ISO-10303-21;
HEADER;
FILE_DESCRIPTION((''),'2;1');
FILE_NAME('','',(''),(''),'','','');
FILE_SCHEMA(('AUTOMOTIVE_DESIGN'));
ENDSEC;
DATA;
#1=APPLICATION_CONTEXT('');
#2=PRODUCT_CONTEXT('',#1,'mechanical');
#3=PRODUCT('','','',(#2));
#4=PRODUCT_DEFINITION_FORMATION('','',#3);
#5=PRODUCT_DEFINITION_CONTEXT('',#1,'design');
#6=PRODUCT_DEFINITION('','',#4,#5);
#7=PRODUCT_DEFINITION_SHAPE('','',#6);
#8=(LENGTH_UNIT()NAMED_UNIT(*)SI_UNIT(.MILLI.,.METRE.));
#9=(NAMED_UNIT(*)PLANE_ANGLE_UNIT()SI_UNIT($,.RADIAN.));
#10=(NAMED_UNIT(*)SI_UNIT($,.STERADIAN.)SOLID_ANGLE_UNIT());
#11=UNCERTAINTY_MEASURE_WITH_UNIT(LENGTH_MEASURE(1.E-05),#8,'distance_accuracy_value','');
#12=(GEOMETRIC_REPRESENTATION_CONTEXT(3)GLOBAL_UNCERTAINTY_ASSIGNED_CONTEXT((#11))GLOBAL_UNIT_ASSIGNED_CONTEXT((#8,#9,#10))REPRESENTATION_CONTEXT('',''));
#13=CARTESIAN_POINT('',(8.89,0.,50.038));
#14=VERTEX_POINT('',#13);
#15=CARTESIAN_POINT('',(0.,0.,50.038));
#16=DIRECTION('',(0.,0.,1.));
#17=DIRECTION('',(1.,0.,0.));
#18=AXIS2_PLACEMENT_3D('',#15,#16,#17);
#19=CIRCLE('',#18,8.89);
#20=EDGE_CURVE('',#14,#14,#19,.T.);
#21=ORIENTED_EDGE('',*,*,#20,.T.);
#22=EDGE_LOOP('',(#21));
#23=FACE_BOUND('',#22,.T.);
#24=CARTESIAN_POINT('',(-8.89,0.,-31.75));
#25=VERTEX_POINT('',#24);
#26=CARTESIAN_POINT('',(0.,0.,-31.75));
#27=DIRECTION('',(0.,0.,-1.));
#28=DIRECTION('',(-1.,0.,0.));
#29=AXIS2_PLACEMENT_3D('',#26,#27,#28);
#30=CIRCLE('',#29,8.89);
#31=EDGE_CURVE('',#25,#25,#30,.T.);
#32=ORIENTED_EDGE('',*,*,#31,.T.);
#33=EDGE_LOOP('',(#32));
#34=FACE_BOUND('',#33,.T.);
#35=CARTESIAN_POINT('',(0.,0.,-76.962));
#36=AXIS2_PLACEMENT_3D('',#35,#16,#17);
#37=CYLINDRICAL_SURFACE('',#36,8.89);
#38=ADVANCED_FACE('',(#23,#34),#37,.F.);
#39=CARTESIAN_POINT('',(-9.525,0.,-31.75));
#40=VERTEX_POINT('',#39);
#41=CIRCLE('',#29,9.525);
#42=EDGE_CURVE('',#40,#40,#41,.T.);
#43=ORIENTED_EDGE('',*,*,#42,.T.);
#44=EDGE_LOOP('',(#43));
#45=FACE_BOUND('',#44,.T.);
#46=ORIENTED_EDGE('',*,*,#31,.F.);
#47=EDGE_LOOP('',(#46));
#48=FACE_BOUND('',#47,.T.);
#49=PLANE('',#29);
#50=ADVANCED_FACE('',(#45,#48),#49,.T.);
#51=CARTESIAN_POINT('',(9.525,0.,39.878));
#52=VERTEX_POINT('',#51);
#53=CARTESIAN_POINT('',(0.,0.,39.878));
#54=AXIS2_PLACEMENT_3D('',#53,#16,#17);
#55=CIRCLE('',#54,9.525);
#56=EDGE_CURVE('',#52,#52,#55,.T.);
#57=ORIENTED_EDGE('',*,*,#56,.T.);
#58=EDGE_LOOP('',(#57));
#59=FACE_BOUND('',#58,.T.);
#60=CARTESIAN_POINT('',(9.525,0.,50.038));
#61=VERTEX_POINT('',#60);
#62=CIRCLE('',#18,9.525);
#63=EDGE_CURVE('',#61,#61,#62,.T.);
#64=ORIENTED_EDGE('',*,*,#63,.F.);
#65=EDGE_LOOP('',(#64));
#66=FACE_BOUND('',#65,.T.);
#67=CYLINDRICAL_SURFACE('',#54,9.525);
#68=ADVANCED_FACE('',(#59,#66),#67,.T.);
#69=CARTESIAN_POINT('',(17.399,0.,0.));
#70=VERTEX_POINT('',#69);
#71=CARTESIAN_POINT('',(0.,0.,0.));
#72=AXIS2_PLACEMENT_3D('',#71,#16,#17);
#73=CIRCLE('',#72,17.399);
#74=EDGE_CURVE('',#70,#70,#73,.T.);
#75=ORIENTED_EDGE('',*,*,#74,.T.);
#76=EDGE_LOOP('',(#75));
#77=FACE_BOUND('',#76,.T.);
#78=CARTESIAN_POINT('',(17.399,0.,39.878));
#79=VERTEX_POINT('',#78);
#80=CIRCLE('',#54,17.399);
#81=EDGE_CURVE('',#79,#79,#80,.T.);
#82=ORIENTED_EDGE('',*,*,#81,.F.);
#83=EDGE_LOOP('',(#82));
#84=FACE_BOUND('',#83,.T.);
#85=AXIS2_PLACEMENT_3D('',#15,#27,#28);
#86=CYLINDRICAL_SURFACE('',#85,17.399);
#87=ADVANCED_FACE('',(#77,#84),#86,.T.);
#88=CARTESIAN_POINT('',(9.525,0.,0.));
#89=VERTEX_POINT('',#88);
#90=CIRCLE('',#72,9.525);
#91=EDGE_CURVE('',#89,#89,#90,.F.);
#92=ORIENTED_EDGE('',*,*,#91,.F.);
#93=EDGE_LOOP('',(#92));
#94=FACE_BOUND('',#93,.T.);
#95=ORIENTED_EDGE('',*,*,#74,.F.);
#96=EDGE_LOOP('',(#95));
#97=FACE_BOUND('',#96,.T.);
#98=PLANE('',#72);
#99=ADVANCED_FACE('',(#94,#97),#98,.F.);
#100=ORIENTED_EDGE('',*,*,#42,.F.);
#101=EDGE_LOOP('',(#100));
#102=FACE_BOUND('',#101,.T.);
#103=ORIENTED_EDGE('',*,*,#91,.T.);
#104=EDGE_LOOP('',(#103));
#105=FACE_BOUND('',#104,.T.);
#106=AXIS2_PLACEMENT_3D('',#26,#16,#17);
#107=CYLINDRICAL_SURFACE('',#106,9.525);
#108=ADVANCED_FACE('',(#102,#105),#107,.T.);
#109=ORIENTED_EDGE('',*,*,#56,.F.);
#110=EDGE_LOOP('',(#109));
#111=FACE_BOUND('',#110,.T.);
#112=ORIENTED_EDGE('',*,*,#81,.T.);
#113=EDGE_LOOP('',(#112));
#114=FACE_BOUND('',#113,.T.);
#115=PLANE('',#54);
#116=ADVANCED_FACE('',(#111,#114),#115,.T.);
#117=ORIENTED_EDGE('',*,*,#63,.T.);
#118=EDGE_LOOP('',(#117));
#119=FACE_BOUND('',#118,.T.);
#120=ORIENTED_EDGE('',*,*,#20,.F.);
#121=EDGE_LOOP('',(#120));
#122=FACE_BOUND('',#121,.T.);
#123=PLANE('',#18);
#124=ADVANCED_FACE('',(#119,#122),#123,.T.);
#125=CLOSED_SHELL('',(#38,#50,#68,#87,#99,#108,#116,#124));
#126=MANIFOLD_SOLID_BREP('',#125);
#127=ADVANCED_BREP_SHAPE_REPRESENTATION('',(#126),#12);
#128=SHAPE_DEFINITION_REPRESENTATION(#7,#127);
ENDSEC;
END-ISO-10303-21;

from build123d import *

# Parameters (mm, degrees)
SKETCH1_R           = 17.399
BOSS_EXTRUDE1_DEPTH = 50.038
SKETCH3_R           = 38.1
SKETCH3_R_2         = 9.525
CUT_EXTRUDE1_DEPTH  = 10.16
SKETCH4_R           = 8.89
CUT_EXTRUDE2_DEPTH  = 127
SKETCH5_R           = 9.525
SKETCH5_R_2         = 8.89
BOSS_EXTRUDE2_DEPTH = 31.75


with BuildPart() as part:
    # Sketch1 → Boss-Extrude1 (new body)
    with BuildSketch(Plane.XY):
        Circle(SKETCH1_R)
    extrude(amount=BOSS_EXTRUDE1_DEPTH)

    # Sketch3 → Cut-Extrude1 (cut)
    with BuildSketch(Plane.XY.offset(50.038)):
        Circle(SKETCH3_R)
        Circle(SKETCH3_R_2, mode=Mode.SUBTRACT)
    extrude(amount=-CUT_EXTRUDE1_DEPTH, mode=Mode.SUBTRACT)

    # Sketch4 → Cut-Extrude2 (cut)
    with BuildSketch(Plane.XY.offset(50.038)):
        Circle(SKETCH4_R)
    extrude(amount=-CUT_EXTRUDE2_DEPTH, mode=Mode.SUBTRACT)

    # Sketch5 → Boss-Extrude2 (add)
    with BuildSketch(Plane(origin=(0, 0, 0), x_dir=(-1, 0, 0), z_dir=(0, 0, -1))):
        with Locations(Location((0, 0, 0), (0, 0, 180))):
            Circle(SKETCH5_R)
        with Locations(Location((0, 0, 0), (0, 0, 180))):
            Circle(SKETCH5_R_2, mode=Mode.SUBTRACT)
    extrude(amount=BOSS_EXTRUDE2_DEPTH)


solid = part.part
